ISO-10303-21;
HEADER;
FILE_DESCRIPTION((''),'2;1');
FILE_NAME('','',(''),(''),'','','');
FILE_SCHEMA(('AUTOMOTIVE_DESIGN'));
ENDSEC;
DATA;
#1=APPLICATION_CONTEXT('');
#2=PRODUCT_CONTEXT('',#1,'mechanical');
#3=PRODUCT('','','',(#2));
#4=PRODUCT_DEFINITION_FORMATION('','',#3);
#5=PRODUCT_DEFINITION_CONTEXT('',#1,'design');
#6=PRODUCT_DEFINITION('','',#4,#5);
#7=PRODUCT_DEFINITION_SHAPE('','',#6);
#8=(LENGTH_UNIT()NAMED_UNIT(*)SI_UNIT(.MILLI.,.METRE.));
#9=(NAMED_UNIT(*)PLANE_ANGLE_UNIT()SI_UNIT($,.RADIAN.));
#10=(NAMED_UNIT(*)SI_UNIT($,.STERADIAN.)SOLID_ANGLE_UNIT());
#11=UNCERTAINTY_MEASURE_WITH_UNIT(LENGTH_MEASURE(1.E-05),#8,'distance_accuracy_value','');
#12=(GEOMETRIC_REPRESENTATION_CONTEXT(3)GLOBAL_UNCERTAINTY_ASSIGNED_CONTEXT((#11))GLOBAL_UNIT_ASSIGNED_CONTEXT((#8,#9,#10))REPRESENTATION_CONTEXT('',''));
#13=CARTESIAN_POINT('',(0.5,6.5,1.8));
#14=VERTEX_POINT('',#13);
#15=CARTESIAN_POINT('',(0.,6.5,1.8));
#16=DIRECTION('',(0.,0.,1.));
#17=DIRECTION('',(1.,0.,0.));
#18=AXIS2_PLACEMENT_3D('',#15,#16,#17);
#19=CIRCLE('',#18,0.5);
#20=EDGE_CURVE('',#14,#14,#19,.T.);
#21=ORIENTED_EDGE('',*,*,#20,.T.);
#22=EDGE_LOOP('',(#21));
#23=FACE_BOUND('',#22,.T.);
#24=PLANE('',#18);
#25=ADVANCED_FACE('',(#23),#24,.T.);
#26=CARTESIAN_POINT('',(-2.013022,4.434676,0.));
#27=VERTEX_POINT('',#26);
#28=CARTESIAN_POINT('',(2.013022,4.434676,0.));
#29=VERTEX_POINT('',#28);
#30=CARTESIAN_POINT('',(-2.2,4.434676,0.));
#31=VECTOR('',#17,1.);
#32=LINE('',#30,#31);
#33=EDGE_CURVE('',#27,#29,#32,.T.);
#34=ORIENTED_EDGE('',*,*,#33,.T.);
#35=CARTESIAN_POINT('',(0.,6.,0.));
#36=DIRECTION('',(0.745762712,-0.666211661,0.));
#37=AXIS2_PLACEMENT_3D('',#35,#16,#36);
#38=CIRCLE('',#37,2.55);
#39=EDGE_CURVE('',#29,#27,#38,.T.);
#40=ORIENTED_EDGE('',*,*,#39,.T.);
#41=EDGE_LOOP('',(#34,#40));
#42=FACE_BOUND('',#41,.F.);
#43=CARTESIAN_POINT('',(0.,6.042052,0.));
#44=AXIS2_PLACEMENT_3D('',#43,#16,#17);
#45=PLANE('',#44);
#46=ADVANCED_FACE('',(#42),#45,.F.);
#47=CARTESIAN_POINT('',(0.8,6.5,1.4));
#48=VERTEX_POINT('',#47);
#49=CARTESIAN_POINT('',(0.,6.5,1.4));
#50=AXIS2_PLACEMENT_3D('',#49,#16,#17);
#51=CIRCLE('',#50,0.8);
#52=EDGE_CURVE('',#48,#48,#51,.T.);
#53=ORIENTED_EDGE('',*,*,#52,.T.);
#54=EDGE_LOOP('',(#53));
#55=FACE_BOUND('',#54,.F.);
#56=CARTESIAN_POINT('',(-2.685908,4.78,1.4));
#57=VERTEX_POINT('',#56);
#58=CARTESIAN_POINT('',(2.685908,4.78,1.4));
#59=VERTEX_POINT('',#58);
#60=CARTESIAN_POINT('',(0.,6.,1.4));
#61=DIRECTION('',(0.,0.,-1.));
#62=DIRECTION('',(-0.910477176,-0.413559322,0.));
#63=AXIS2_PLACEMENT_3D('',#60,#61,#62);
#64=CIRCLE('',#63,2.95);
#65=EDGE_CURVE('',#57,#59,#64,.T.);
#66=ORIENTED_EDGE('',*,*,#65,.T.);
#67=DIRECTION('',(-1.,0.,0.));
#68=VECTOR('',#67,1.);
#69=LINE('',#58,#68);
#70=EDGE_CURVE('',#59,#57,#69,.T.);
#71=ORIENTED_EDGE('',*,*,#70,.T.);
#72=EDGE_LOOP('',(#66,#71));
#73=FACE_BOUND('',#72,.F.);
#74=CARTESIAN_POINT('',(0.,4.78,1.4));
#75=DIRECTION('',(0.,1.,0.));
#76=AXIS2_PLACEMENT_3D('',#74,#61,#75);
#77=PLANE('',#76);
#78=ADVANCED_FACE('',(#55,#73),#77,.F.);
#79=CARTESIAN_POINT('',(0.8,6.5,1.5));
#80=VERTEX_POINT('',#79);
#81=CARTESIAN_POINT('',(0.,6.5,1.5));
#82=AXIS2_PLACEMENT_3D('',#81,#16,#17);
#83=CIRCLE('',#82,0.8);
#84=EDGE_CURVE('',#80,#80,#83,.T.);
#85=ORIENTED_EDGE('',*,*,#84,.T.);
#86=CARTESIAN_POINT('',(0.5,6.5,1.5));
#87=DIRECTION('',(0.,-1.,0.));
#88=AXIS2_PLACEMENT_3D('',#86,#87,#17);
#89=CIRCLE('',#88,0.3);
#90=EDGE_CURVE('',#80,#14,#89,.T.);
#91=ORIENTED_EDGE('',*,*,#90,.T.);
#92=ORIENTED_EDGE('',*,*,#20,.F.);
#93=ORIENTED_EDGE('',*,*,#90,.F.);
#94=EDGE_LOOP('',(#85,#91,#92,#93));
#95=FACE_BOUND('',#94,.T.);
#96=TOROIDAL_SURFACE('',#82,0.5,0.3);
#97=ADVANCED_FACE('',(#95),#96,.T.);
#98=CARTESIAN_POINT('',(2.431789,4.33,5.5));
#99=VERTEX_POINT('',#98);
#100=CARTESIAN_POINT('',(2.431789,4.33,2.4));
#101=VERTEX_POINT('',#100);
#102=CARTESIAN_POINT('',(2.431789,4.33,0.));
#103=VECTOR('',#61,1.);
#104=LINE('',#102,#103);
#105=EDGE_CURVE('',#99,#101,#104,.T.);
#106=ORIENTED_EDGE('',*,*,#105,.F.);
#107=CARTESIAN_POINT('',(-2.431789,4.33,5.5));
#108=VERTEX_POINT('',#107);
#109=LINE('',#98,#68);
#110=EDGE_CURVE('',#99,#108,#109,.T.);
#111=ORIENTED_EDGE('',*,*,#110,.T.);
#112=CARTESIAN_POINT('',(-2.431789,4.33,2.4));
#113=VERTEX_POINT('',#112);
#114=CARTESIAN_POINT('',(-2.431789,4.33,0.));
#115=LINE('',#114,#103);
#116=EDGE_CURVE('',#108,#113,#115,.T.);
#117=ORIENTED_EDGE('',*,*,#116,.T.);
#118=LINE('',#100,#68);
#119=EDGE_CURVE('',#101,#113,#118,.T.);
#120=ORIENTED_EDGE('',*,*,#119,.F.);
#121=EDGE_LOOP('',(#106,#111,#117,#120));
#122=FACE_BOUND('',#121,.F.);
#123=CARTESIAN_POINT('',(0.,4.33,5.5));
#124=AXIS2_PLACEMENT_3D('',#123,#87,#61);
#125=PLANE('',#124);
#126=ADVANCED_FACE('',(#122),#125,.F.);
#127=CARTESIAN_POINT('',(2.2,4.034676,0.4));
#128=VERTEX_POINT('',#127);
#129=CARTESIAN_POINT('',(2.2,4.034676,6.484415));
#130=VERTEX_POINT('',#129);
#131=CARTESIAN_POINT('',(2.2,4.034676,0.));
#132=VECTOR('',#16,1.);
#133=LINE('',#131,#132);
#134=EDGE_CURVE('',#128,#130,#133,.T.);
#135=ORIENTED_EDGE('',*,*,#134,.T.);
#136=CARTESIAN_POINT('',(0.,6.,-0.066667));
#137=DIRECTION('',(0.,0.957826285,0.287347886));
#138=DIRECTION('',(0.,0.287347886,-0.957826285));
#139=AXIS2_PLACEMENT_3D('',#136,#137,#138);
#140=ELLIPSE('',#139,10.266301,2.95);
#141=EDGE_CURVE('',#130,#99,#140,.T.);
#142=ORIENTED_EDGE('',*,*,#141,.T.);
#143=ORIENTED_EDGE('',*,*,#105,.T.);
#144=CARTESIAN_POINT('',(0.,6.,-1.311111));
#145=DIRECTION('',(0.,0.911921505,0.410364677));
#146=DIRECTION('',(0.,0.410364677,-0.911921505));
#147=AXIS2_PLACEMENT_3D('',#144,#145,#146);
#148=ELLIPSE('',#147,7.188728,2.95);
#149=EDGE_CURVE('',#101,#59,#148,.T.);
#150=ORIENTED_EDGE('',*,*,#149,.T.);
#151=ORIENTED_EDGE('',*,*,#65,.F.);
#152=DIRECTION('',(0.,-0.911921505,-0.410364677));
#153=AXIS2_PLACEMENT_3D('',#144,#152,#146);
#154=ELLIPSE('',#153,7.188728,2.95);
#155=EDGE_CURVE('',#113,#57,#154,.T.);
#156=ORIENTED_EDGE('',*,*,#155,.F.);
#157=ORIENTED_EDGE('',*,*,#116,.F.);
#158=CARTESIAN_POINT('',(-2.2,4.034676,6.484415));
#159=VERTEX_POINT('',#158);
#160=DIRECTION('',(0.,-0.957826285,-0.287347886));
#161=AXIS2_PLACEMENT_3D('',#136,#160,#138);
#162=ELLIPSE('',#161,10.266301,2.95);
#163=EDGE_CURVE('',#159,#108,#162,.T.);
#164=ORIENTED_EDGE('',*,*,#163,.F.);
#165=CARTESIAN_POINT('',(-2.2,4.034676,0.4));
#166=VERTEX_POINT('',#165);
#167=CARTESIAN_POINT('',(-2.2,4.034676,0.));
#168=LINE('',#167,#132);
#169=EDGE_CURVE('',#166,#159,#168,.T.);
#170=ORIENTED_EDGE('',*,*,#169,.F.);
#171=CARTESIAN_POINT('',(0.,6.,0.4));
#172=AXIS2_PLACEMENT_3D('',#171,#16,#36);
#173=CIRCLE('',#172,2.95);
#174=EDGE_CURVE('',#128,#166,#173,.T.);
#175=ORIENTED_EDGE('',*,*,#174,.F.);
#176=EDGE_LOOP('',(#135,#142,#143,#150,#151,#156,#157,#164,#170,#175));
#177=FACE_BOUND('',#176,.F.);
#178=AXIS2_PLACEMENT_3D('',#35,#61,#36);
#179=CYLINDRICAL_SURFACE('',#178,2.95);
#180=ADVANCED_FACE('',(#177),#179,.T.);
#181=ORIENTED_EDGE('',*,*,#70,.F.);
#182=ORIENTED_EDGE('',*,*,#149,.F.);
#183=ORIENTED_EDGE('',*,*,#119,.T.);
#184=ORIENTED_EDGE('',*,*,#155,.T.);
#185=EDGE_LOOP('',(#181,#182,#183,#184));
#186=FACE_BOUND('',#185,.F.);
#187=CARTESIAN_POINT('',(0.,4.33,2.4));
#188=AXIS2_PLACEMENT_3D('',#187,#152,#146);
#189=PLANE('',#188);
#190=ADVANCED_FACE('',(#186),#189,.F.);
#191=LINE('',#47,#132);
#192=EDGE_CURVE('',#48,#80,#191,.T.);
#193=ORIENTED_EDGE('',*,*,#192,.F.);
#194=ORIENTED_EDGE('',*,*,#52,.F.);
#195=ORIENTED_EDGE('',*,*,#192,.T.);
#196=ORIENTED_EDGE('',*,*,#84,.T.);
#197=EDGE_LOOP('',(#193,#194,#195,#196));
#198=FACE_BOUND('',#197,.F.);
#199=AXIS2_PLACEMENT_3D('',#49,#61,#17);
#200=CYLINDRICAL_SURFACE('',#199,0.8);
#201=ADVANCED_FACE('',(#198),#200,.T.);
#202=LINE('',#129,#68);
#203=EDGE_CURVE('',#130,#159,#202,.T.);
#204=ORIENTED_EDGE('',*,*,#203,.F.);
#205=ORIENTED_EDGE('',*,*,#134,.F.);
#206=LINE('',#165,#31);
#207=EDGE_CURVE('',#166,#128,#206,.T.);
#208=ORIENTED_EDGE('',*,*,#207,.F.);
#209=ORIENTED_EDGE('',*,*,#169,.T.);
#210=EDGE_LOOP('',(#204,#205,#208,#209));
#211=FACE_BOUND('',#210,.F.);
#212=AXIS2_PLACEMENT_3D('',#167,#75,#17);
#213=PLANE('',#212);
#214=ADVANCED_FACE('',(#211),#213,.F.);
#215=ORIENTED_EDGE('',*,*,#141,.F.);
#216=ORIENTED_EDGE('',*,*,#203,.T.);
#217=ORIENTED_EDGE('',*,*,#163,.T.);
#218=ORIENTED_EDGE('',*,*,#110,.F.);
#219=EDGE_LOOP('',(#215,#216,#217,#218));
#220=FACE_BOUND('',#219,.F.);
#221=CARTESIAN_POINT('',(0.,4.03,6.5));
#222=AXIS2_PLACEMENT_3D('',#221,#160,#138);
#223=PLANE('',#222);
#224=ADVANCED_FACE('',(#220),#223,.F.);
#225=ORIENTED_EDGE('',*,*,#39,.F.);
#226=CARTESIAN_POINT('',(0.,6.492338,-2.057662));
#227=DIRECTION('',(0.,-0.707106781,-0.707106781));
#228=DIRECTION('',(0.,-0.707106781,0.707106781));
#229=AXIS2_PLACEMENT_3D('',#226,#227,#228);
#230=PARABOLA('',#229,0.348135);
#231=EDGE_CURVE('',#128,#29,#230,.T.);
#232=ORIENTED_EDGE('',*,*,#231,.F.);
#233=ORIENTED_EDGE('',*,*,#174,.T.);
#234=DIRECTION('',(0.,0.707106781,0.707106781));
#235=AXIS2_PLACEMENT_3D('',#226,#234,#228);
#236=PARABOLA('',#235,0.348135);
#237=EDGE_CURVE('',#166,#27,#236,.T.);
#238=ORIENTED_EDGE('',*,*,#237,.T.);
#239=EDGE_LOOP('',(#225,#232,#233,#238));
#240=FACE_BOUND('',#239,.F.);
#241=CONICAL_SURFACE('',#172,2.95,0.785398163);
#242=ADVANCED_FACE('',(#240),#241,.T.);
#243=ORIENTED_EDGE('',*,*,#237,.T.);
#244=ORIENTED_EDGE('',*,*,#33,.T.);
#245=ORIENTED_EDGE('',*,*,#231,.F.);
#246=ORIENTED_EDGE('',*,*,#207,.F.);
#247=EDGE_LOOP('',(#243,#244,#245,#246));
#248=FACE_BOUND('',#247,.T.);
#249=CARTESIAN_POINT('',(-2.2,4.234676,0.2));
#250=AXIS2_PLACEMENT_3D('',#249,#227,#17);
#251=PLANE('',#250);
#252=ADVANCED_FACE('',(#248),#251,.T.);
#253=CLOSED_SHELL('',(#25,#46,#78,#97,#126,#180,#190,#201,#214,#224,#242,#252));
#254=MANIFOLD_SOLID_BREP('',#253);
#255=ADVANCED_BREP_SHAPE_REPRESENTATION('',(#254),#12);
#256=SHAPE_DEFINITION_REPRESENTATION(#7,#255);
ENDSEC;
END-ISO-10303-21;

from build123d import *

# Parameters (mm, degrees)
PAD008_DEPTH         = 6.5
POCKET007_DEPTH      = 2.951
POCKET007_DEPTH_BACK = 2.951
SKETCH023_R          = 0.8
PAD009_DEPTH         = 0.4
FILLET001_R          = 0.3
CHAMFER007_SIZE      = 0.4


with BuildPart() as part:
    # Sketch022 → Pad008 (new body)
    with BuildSketch(Plane.XY):
        with BuildLine():
            ThreePointArc((2.2, -1.9653244007), (0, 2.95), (-2.2, -1.9653244007))
            Line((-2.2, -1.9653244007), (2.2, -1.9653244007))
        make_face()
    extrude(amount=PAD008_DEPTH)

    # Sketch024 → Pocket007 (cut, two sides)
    with BuildSketch(Plane.YZ) as pocket007_sk:
        Polygon((-1.97, 6.5), (-1.67, 5.5), (-1.67, 2.4), (-1.22, 1.4), (4, 1.4), (4, 6.5), align=None)
    extrude(amount=-POCKET007_DEPTH, mode=Mode.SUBTRACT)
    extrude(pocket007_sk.sketch, amount=POCKET007_DEPTH_BACK, mode=Mode.SUBTRACT)

    # Sketch023 (on Face7 of Pocket007) → Pad009 (join)
    with BuildSketch(Plane.XY.offset(1.4)):
        with Locations((0, 0.5)):
            Circle(SKETCH023_R)
    extrude(amount=PAD009_DEPTH)

    # Fillet001
    fillet001_edges = [part.edges().sort_by_distance(p)[0] for p in [
        (-0.8, 0.5, 1.8),
    ]]
    fillet(fillet001_edges, radius=FILLET001_R)

    # Chamfer007
    chamfer007_edges = [part.edges().sort_by_distance(p)[0] for p in [
        (0, 2.95, 0),
        (0, -1.965324, 0),
    ]]
    chamfer(chamfer007_edges, length=CHAMFER007_SIZE)


with BuildPart() as part_1:
    # Body081 placement: moved
    add(part.part.moved(Location((0, 6, 0))))


solid = part_1.part
